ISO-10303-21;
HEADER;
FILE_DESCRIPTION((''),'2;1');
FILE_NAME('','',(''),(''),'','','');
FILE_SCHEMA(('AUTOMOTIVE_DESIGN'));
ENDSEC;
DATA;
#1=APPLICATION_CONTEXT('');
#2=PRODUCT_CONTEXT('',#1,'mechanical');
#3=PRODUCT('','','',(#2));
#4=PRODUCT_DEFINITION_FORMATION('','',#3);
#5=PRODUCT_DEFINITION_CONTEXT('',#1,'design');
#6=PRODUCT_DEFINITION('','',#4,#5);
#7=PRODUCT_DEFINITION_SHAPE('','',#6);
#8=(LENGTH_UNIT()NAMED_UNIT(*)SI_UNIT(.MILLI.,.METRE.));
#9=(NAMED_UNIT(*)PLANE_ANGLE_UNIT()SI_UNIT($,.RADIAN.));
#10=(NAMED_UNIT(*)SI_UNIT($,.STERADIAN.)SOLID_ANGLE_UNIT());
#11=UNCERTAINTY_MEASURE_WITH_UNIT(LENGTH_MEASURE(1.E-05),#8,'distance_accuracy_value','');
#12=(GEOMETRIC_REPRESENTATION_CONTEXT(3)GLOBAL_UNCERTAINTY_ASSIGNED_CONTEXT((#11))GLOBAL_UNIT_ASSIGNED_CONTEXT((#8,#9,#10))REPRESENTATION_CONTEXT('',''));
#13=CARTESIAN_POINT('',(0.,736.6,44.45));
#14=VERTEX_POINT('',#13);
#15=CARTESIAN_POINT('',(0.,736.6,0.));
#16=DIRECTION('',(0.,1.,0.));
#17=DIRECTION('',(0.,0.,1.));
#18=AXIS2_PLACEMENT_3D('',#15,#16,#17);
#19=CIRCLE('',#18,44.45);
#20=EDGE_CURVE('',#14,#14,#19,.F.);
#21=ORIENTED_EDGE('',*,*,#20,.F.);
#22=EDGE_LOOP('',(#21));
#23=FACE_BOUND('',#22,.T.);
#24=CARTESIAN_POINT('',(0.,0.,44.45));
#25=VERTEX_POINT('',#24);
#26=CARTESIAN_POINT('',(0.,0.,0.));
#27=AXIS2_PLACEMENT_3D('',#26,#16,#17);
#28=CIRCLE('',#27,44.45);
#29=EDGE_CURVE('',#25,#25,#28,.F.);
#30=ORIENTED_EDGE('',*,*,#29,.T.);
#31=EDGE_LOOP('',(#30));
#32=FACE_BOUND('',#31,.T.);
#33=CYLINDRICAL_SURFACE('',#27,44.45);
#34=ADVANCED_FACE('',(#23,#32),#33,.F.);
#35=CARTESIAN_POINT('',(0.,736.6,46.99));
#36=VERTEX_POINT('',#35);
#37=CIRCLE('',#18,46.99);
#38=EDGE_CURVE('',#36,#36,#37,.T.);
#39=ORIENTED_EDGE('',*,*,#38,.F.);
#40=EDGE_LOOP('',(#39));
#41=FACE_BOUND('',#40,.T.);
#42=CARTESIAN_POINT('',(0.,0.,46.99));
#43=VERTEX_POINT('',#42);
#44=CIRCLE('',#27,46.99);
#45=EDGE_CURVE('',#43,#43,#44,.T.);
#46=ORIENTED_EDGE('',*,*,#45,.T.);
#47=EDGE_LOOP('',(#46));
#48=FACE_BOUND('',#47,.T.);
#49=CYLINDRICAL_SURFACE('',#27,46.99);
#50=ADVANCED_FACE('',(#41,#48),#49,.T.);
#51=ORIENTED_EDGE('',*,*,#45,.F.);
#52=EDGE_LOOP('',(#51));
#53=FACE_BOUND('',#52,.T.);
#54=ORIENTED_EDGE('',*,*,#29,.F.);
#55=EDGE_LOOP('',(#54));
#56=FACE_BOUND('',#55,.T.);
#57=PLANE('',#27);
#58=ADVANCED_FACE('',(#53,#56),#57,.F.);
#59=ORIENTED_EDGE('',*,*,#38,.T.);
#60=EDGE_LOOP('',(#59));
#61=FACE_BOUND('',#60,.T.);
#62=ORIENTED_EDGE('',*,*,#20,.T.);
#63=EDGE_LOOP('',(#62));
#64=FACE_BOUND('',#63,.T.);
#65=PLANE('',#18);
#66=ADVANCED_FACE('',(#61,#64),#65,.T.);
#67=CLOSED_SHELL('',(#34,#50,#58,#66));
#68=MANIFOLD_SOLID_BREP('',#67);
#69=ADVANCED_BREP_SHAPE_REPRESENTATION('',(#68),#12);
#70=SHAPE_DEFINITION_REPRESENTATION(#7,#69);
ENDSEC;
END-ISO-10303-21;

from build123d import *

# Parameters (mm, degrees)
SKETCH1_R   = 46.99
SKETCH1_R_2 = 44.45


with BuildPart() as part:
    # Sweep1: sweep along a curve in space
    with BuildLine() as sweep1_path:
        Line((0, 0, 0), (0, 736.6, 0))
    # Sketch1 → Sweep1 (sweep)
    with BuildSketch(Plane(origin=(0, 0, 0), x_dir=(1, 0, 0), z_dir=(0, 1, 0))):
        Circle(SKETCH1_R)
        Circle(SKETCH1_R_2, mode=Mode.SUBTRACT)
    sweep(path=sweep1_path.line)


solid = part.part
